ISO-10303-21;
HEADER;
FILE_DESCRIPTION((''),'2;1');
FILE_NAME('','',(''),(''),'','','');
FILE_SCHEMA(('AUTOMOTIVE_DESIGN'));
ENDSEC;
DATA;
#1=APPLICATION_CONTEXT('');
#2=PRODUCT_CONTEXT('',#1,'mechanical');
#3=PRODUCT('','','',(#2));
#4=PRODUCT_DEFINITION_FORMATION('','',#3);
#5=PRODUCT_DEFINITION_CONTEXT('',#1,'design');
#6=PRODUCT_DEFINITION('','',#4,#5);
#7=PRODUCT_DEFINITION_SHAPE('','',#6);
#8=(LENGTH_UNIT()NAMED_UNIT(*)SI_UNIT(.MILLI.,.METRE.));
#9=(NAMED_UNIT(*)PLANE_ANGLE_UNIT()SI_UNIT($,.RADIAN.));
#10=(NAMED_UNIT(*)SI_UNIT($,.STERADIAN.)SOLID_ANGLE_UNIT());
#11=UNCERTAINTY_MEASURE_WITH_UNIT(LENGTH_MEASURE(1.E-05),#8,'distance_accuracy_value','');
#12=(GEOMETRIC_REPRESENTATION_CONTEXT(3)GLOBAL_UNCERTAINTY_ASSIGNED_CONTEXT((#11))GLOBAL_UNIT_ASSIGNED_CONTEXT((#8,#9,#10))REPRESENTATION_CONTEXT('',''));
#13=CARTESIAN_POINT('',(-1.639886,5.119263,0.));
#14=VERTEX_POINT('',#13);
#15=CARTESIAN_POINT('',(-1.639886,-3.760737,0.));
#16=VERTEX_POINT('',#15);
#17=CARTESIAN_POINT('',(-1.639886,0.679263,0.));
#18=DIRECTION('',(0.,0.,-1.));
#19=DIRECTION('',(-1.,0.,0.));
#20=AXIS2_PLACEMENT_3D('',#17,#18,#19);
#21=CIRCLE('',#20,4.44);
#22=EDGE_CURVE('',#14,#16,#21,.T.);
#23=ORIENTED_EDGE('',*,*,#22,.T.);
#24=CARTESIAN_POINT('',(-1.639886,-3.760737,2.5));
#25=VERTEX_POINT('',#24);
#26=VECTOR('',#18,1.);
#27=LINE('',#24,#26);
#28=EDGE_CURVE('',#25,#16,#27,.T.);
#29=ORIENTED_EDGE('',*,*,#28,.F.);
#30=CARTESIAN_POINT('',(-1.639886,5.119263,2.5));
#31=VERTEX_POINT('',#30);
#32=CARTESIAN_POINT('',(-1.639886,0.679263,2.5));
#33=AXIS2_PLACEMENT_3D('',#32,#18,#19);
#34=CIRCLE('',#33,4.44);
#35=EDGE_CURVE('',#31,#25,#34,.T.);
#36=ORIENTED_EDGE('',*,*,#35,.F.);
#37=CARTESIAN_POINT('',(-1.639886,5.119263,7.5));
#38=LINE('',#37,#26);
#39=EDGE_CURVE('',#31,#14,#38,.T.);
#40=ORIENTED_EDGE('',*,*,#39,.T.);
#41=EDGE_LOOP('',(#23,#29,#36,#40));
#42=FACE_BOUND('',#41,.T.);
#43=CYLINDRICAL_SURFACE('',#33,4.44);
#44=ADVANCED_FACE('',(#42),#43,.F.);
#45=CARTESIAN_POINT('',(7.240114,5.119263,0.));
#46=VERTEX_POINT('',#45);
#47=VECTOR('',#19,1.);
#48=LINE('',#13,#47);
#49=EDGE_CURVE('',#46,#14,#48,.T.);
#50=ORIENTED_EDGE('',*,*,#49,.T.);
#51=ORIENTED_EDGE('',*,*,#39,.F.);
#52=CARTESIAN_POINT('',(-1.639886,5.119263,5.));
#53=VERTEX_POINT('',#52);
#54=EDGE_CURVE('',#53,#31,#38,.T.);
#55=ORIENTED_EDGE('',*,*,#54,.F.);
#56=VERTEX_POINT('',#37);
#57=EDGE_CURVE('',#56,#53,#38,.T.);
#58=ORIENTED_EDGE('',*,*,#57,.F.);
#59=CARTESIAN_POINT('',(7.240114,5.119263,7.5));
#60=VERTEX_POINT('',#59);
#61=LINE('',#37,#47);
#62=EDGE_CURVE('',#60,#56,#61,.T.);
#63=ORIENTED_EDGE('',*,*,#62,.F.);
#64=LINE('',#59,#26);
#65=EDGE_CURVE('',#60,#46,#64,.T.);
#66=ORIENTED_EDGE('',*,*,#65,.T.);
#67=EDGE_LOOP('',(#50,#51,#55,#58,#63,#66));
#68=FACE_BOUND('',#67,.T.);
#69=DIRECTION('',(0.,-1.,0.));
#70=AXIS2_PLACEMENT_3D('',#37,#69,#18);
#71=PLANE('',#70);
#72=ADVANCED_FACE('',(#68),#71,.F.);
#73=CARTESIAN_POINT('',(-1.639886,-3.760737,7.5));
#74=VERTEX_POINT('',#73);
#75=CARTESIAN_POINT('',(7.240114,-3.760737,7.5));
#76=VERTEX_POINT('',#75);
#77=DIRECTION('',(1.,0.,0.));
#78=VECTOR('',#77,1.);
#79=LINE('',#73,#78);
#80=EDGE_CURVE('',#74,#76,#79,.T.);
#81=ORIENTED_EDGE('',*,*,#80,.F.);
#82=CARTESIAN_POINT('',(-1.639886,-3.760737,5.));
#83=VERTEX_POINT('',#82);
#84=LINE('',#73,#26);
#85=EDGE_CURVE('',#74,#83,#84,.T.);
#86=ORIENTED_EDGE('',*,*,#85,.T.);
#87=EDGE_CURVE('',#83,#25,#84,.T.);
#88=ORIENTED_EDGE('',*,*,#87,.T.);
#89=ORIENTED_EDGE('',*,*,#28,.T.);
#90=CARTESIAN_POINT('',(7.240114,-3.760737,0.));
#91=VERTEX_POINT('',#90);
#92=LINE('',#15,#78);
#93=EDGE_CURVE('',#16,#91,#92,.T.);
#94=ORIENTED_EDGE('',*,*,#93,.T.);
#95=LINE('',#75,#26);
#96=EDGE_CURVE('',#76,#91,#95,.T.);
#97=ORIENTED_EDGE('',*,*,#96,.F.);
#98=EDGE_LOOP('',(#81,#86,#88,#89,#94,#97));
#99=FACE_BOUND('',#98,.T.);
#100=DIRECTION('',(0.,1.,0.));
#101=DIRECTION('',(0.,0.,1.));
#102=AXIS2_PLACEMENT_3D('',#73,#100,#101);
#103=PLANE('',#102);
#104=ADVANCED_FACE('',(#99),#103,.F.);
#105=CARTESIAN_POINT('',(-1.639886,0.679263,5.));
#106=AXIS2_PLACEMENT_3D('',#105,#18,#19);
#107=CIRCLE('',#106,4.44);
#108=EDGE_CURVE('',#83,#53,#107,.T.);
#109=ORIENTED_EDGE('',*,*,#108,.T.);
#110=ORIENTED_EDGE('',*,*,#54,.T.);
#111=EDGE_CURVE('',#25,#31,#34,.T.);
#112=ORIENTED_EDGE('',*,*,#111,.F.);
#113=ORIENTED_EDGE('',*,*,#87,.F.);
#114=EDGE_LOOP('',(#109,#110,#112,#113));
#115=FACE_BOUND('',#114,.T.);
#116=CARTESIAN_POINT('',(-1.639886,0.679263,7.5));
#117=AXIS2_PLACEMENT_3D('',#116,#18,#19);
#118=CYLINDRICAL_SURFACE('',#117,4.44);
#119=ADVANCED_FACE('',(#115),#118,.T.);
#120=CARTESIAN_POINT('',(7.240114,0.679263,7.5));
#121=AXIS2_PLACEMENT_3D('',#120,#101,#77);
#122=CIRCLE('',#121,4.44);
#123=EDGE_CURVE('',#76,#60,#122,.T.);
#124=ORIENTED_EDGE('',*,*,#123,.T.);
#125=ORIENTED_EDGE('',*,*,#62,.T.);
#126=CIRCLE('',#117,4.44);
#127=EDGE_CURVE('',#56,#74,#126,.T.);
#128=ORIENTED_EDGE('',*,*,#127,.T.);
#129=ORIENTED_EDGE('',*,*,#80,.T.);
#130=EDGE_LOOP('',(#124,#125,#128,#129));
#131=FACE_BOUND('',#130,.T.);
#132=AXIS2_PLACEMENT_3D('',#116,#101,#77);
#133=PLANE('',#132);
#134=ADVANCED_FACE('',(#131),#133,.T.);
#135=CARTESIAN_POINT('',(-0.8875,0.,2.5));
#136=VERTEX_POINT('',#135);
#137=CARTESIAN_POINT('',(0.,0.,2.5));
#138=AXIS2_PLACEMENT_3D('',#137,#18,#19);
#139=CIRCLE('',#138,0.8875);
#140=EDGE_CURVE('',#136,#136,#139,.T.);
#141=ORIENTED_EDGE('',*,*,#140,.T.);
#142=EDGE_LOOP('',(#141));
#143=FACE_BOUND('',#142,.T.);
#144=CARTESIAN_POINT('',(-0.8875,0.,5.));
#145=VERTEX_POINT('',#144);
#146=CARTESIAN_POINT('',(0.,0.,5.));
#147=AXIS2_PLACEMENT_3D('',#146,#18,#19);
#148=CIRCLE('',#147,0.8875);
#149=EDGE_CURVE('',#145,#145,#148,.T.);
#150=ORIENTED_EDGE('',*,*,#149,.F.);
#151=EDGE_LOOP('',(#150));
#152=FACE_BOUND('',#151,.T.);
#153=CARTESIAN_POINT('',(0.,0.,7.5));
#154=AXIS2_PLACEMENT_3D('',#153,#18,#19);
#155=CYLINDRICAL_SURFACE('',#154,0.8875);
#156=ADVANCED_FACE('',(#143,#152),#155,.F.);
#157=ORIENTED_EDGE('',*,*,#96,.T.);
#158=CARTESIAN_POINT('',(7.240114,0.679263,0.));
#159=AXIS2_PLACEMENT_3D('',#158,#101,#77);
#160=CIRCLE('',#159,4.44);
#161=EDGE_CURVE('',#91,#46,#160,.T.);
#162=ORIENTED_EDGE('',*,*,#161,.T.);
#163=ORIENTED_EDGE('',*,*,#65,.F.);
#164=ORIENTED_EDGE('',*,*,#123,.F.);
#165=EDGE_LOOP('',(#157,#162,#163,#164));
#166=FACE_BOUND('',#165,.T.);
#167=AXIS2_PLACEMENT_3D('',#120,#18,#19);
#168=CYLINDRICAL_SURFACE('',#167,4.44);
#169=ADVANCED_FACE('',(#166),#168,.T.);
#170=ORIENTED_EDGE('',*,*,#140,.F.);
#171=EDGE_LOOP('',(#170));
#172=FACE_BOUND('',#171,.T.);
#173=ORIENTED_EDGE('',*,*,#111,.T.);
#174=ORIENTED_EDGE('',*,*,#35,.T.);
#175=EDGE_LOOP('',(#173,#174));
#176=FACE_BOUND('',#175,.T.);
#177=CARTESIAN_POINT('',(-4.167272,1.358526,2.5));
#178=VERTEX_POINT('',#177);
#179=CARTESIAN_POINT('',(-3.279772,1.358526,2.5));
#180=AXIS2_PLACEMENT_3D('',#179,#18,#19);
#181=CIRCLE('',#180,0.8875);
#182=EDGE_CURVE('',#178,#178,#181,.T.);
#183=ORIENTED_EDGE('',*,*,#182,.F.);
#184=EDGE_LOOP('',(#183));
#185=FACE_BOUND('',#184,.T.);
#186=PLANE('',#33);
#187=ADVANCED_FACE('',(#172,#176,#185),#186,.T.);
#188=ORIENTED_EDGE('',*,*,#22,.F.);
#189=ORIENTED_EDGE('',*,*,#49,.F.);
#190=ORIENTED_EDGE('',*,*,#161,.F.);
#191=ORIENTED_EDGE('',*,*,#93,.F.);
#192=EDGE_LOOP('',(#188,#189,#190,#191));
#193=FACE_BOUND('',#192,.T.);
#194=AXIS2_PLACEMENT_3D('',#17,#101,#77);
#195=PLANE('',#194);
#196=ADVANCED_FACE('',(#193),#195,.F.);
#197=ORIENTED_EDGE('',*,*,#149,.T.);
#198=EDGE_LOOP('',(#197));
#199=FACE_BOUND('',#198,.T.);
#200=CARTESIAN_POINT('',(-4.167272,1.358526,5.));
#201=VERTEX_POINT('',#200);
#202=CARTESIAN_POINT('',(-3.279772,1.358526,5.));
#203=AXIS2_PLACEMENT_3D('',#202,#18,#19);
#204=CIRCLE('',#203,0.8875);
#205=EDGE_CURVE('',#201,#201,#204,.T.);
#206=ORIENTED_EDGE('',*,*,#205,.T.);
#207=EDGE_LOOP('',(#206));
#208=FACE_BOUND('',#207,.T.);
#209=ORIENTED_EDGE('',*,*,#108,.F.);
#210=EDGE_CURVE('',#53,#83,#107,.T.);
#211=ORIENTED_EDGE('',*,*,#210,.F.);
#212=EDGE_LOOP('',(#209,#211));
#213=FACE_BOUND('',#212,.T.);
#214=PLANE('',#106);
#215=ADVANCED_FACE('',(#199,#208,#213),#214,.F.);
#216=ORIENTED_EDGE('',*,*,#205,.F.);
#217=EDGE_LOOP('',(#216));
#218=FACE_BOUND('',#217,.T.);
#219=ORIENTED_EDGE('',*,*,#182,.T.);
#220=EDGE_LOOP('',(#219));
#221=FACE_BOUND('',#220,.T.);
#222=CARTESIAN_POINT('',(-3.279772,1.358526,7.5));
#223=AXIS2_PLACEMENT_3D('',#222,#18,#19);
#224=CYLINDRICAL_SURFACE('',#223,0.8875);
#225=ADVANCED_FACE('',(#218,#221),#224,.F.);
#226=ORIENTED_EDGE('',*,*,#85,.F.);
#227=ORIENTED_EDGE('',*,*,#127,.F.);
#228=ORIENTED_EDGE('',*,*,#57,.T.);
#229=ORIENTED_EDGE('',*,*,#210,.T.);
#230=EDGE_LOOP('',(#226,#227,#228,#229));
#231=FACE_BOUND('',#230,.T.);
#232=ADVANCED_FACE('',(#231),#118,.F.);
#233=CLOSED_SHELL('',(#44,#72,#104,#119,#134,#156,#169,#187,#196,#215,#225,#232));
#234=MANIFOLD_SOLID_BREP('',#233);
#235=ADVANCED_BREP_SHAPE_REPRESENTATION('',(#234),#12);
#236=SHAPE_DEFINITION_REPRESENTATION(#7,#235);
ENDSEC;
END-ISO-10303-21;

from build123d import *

# Parameters (mm, degrees)
SKETCH1_R           = 0.8875
BOSS_EXTRUDE1_DEPTH = 7.5
SKETCH2_R           = 4.44
CUT_EXTRUDE1_DEPTH  = 2.5
CUT_EXTRUDE2_START  = -5
SKETCH2_2_R         = 4.44
CUT_EXTRUDE2_DEPTH  = 2.5


with BuildPart() as part:
    # Sketch1 → Boss-Extrude1 (new body)
    with BuildSketch(Plane.XY):
        with BuildLine():
            Line((-1.63988617, 5.119263092), (7.24011383, 5.119263092))
            ThreePointArc((7.24011383, 5.119263092), (11.68011383, 0.679263092), (7.24011383, -3.760736908))
            Line((7.24011383, -3.760736908), (-1.63988617, -3.760736908))
            ThreePointArc((-1.63988617, -3.760736908), (-6.07988617, 0.679263092), (-1.63988617, 5.119263092))
        make_face()
        Circle(SKETCH1_R, mode=Mode.SUBTRACT)
        with Locations((-3.27977234, 1.358526185)):
            Circle(SKETCH1_R, mode=Mode.SUBTRACT)
    extrude(amount=BOSS_EXTRUDE1_DEPTH)

    # Sketch2 → Cut-Extrude1 (cut)
    with BuildSketch(Plane(origin=(0, 0, 0), x_dir=(-1, 0, 0), z_dir=(0, 0, -1))):
        with Locations((1.63988617, 0.679263092)):
            Circle(SKETCH2_R)
    extrude(amount=-CUT_EXTRUDE1_DEPTH, mode=Mode.SUBTRACT)

    # Sketch2<2> → Cut-Extrude2 (cut)
    with BuildSketch(Plane(origin=(0, 0, 0), x_dir=(-1, 0, 0), z_dir=(0, 0, -1)).offset(CUT_EXTRUDE2_START)):
        with Locations((1.63988617, 0.679263092)):
            Circle(SKETCH2_2_R)
    extrude(amount=-CUT_EXTRUDE2_DEPTH, mode=Mode.SUBTRACT)


solid = part.part
